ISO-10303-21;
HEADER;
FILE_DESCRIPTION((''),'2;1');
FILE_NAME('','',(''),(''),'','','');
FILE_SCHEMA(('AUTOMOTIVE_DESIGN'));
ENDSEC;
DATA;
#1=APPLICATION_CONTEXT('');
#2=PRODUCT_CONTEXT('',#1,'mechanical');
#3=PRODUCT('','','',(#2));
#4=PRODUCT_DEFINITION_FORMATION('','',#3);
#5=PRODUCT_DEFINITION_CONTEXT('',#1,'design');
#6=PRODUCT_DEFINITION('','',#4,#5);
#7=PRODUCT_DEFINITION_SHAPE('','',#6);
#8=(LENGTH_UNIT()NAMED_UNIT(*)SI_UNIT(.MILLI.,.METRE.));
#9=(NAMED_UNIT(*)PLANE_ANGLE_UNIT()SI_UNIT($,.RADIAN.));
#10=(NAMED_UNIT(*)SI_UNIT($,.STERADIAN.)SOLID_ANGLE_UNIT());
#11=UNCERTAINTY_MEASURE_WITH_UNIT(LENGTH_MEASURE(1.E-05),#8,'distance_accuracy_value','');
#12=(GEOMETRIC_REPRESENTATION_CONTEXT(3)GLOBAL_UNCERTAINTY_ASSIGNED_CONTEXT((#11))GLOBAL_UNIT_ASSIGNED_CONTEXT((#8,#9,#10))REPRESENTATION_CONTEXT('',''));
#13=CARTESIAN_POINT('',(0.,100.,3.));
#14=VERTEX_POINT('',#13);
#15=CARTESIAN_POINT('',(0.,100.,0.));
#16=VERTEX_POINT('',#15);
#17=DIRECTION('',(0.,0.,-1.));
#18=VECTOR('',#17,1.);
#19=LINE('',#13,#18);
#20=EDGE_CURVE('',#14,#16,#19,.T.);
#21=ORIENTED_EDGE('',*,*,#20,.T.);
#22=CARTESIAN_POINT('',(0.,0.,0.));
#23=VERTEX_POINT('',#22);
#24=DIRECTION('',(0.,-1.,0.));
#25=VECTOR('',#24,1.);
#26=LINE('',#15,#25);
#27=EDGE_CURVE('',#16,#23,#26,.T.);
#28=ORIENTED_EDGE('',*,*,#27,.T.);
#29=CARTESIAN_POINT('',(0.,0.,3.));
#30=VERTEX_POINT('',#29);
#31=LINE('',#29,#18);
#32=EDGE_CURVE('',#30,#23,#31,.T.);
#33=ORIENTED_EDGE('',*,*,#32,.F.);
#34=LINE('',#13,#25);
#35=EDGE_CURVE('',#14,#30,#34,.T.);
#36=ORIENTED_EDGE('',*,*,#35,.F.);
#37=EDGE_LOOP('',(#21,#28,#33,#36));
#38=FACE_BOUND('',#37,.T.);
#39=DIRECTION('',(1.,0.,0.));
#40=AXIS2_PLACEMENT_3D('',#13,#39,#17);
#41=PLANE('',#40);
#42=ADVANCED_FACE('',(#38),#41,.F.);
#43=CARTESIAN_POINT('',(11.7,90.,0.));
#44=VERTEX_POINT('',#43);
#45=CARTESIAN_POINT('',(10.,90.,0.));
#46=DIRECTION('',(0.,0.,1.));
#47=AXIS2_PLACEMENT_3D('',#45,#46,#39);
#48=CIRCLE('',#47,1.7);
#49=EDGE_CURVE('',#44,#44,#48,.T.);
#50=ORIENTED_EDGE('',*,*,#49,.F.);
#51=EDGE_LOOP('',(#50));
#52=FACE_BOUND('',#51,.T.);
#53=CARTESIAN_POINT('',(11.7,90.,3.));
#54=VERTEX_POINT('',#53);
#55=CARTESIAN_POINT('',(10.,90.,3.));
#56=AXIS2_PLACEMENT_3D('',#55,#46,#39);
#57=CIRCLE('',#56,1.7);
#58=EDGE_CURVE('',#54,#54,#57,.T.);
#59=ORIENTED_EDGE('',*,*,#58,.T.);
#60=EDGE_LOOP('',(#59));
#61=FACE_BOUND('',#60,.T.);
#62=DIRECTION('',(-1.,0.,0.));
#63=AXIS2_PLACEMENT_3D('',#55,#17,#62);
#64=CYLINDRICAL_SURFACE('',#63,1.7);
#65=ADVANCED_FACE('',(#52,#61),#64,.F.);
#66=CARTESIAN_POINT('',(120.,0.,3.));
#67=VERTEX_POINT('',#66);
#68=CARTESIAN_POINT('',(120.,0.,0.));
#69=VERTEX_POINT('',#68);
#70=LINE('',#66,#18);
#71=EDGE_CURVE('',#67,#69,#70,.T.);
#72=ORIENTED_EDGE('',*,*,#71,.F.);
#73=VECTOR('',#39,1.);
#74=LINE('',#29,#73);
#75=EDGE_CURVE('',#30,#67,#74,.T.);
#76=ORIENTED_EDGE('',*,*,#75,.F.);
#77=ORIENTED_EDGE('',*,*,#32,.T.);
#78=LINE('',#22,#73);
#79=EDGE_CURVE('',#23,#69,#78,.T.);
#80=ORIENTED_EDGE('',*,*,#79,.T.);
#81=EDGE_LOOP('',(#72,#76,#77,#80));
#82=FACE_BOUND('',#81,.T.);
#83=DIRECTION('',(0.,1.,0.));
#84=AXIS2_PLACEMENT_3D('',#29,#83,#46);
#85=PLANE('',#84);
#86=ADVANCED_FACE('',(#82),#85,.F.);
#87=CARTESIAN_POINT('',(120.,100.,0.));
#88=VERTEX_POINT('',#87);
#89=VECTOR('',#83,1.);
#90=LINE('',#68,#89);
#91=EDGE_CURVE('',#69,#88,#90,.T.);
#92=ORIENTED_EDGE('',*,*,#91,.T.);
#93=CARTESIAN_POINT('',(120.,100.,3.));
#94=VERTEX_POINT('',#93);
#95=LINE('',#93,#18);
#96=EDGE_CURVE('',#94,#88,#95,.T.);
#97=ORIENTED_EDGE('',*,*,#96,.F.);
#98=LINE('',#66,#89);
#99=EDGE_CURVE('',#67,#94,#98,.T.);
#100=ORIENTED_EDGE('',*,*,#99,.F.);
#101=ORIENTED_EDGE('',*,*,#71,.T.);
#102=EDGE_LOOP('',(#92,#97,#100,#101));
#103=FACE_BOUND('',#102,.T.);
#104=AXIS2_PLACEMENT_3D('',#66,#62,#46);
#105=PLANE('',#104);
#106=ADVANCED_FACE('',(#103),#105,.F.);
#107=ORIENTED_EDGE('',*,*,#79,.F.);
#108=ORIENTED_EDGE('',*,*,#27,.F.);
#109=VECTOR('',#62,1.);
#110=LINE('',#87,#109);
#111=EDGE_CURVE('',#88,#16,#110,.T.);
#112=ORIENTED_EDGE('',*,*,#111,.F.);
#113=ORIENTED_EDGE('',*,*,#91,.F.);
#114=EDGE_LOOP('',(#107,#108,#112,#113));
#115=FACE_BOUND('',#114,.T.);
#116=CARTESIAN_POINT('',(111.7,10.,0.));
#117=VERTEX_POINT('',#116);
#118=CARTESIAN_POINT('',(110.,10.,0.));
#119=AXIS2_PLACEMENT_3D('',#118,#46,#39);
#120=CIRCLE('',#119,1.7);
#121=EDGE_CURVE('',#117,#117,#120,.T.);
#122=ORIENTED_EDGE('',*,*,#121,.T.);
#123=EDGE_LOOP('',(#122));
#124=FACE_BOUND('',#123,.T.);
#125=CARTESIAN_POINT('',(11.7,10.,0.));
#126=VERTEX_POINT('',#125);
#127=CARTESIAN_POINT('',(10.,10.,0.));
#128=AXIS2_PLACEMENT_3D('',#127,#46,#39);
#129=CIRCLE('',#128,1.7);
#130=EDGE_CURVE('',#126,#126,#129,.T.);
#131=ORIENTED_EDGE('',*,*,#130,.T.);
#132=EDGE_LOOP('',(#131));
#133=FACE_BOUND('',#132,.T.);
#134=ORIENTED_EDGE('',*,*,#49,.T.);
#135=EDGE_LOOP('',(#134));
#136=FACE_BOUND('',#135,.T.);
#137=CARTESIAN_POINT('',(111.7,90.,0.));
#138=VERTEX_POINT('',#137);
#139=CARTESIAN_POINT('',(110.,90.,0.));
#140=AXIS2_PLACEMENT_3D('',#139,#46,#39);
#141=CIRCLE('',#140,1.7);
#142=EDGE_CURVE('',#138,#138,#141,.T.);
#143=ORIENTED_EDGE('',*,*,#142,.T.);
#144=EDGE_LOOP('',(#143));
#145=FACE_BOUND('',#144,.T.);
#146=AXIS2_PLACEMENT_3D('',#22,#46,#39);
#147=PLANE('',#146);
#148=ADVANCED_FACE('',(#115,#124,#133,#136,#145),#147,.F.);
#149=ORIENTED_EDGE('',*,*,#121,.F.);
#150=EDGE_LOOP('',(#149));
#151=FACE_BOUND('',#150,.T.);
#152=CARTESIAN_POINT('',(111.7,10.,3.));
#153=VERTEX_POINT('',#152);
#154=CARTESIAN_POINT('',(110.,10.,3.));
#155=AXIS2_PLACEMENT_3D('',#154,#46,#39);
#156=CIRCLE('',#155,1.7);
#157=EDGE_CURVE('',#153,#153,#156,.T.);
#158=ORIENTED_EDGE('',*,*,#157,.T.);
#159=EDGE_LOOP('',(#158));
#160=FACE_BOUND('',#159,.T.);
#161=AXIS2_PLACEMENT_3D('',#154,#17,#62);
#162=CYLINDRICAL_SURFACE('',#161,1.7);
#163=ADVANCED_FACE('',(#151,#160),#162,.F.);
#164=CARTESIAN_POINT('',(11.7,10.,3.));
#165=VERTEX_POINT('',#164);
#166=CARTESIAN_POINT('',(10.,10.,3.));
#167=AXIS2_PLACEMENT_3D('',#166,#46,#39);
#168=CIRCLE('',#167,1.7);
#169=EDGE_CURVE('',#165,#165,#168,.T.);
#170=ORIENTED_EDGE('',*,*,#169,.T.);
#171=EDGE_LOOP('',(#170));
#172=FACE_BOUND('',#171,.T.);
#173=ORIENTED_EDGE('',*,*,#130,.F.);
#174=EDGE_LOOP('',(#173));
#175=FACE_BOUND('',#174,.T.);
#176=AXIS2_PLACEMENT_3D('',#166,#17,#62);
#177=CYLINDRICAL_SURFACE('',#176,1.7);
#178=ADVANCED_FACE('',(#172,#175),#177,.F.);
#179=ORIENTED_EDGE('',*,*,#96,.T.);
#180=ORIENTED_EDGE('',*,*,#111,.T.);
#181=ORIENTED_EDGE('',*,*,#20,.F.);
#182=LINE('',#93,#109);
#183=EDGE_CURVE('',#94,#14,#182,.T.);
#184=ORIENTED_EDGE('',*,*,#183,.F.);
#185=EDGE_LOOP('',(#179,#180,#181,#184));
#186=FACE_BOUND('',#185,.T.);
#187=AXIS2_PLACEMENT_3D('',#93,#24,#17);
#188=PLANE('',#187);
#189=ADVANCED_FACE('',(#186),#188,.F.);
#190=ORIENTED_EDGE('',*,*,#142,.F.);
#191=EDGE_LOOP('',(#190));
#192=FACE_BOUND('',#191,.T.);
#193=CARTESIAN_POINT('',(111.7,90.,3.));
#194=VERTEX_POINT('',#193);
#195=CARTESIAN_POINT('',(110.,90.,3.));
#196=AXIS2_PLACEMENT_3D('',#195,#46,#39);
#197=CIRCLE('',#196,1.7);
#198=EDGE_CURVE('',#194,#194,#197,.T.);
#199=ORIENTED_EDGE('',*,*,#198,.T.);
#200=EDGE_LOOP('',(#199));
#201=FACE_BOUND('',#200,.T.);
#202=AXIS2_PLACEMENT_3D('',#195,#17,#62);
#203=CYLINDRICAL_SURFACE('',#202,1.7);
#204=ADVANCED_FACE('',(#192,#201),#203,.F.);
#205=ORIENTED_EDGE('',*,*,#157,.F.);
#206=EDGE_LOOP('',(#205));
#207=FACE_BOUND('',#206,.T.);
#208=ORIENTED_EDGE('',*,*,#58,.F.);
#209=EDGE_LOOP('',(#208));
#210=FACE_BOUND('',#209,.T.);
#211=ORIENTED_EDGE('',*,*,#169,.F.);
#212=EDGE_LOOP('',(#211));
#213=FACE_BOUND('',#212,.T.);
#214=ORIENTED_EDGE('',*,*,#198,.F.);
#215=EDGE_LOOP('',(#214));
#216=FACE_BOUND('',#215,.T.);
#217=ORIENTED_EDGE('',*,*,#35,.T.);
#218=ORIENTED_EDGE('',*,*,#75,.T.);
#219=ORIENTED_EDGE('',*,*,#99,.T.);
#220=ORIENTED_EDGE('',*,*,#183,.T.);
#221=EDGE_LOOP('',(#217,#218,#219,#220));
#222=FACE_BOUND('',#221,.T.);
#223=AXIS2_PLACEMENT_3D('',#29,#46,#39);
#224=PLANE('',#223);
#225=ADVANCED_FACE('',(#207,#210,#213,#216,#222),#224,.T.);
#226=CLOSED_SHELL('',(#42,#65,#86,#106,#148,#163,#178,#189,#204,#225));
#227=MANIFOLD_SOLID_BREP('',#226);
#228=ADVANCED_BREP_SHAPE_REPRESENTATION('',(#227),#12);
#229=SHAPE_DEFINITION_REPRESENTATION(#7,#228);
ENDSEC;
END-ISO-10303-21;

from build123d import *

# Parameters (mm, degrees)
CAMERA_REMOVABLE_PANEL_W = 120
CAMERA_REMOVABLE_PANEL_H = 100
CAMERA_REMOVABLE_PANEL_R = 1.7
F_3MM_DEPTH              = 3


with BuildPart() as part:
    # 外形与孔位_camera_removable_panel → 板厚_3mm (new body)
    with BuildSketch(Plane.XY):
        with Locations((60, 50)):
            Rectangle(CAMERA_REMOVABLE_PANEL_W, CAMERA_REMOVABLE_PANEL_H)
        with Locations((10, 10)):
            Circle(CAMERA_REMOVABLE_PANEL_R, mode=Mode.SUBTRACT)
        with Locations((10, 90)):
            Circle(CAMERA_REMOVABLE_PANEL_R, mode=Mode.SUBTRACT)
        with Locations((110, 10)):
            Circle(CAMERA_REMOVABLE_PANEL_R, mode=Mode.SUBTRACT)
        with Locations((110, 90)):
            Circle(CAMERA_REMOVABLE_PANEL_R, mode=Mode.SUBTRACT)
    extrude(amount=F_3MM_DEPTH)


solid = part.part
